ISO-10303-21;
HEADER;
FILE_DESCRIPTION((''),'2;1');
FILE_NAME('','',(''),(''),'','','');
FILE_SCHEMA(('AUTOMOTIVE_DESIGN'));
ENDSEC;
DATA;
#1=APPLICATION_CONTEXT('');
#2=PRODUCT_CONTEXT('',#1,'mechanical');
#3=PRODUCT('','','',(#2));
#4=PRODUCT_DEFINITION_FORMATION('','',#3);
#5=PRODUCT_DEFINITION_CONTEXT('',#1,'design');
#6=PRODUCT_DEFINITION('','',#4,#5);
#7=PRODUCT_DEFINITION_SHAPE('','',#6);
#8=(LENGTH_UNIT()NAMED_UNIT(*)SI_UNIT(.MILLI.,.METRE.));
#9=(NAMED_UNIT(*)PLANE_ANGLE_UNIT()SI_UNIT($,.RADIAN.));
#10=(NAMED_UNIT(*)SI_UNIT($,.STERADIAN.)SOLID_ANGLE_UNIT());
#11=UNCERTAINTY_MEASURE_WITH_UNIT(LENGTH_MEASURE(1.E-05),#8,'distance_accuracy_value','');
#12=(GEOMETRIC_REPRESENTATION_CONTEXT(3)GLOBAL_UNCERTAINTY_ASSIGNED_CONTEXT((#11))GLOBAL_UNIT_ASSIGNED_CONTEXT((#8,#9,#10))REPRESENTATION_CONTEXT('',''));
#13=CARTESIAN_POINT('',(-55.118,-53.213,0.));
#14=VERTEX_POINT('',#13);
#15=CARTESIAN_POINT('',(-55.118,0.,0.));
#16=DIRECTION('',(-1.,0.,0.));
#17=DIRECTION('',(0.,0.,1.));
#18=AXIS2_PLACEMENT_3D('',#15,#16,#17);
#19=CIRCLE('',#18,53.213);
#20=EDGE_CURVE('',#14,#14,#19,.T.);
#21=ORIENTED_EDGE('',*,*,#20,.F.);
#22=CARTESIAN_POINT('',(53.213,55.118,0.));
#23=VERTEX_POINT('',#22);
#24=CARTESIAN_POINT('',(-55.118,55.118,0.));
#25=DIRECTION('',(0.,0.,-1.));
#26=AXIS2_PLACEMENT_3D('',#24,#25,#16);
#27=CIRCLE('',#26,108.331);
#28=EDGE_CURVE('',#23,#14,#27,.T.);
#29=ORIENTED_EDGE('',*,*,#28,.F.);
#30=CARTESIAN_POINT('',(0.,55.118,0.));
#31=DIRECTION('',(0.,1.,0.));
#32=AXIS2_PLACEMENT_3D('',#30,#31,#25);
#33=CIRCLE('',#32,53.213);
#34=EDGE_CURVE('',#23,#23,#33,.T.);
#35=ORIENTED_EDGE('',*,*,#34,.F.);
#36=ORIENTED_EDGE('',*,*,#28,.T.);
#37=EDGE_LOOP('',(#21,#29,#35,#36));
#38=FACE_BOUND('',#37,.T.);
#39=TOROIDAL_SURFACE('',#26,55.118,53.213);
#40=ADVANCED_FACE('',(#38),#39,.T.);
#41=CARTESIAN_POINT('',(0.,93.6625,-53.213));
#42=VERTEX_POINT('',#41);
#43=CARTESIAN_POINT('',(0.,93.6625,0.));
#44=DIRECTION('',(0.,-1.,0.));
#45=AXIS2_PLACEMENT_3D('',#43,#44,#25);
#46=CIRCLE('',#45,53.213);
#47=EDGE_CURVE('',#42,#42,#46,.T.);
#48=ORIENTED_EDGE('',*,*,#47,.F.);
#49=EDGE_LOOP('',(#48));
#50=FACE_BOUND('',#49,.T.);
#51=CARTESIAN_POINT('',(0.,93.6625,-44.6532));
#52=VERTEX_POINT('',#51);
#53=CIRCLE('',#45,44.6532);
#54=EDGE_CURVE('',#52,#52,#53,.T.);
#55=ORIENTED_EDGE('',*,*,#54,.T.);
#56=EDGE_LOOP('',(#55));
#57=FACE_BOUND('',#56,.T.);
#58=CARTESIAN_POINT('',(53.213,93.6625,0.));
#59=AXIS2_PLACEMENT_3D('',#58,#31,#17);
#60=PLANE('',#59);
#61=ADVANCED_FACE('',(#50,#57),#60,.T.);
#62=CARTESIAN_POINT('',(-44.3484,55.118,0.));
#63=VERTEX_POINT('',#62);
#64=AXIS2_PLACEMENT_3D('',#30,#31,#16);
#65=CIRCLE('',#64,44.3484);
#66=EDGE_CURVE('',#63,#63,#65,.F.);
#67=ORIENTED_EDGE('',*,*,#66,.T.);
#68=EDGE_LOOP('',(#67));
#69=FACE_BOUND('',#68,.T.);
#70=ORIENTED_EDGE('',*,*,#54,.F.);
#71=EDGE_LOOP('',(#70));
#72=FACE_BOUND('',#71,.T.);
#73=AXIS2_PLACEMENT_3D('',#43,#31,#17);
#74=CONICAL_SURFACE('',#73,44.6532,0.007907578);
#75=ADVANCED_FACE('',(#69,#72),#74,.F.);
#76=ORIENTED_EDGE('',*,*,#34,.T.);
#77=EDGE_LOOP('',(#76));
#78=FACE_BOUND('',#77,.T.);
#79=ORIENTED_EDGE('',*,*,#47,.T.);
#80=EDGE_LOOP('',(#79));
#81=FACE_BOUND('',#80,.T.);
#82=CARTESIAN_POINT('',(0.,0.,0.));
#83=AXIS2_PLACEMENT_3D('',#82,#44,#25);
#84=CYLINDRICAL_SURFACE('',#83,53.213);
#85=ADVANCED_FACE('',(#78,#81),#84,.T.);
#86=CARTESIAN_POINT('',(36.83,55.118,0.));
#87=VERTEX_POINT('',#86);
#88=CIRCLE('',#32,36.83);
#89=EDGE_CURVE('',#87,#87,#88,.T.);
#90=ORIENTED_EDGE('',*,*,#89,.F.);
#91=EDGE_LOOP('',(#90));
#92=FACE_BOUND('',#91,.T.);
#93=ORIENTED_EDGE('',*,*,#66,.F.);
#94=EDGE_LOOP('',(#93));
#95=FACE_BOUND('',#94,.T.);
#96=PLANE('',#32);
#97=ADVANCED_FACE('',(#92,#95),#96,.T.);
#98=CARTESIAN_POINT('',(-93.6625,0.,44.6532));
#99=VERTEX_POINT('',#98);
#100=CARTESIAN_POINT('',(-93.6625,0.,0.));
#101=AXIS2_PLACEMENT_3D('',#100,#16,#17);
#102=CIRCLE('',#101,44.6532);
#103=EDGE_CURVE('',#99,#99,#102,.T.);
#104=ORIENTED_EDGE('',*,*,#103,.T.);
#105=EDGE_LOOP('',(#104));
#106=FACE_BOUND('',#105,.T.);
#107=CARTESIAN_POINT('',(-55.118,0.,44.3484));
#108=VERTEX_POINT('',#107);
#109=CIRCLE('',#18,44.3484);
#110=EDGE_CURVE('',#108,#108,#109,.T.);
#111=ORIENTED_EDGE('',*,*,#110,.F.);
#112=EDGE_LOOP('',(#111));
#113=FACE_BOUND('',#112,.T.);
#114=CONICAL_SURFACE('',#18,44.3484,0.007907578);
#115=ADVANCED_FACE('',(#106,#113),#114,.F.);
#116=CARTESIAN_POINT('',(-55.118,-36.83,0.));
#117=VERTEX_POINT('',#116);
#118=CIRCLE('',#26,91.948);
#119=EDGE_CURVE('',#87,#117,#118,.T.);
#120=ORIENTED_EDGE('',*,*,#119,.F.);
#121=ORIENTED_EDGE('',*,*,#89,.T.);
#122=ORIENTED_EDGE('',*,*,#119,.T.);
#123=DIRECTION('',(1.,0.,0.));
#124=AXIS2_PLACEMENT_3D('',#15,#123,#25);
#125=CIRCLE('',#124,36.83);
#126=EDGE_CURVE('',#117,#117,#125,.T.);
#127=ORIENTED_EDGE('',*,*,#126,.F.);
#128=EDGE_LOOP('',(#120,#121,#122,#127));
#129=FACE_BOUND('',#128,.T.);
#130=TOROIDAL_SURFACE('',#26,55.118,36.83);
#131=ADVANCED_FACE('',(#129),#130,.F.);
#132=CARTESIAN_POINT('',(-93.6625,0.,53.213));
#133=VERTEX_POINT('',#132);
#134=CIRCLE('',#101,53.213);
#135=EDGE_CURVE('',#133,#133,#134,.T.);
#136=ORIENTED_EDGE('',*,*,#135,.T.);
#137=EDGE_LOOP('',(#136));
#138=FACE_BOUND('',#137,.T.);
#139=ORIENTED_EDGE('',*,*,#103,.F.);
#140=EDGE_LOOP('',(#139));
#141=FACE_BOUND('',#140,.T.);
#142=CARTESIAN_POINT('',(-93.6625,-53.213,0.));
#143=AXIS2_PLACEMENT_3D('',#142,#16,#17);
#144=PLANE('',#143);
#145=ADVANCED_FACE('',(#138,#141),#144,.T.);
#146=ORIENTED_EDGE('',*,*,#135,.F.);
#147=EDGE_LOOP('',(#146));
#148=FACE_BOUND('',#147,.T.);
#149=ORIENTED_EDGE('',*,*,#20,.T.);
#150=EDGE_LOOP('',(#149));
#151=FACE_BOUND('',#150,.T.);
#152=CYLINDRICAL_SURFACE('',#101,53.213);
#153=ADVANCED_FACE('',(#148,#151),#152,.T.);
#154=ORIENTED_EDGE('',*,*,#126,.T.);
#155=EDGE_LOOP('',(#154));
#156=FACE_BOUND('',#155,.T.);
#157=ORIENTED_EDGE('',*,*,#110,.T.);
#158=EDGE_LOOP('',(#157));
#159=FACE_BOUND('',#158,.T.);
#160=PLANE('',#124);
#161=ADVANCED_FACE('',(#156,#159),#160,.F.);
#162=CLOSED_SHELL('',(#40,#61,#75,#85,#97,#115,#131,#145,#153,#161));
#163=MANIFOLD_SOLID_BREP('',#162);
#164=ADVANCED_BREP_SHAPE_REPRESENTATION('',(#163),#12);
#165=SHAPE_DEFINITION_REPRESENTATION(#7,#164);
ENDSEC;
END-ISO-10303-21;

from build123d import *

# Parameters (mm, degrees)
SKETCH3_R   = 53.213
SKETCH3_R_2 = 36.83


with BuildPart() as part:
    # Sketch1 → Revolve1 (revolve)
    with BuildSketch(Plane.XY):
        Polygon((-93.6625, -53.213), (-55.118, -53.213), (-55.118, -44.3484), (-93.6625, -44.6532), align=None)
    revolve(axis=Axis((-93.6625, 0, 0), (1, 0, 0)))



with BuildPart() as body_2:
    # Sketch2 → Revolve2 (revolve)
    with BuildSketch(Plane.XY):
        Polygon((44.6532, 93.6625), (44.3484, 55.118), (53.213, 55.118), (53.213, 93.6625), align=None)
    revolve(axis=Axis((0, 0, 0), (0, 1, 0)))


with BuildPart() as part_1:
    add(part.part)

    add(body_2.part)  # Sweep1 merges body 2
    # Sweep1: sweep along a path in Sketch4
    with BuildLine(Plane.XY) as sweep1_path:
        ThreePointArc((-55.118, 0), (-16.143688435, 16.143688435), (0, 55.118))
    # Sketch3 → Sweep1 (sweep)
    with BuildSketch(Plane(origin=(-55.118, 0, 0), x_dir=(0, 0, -1), z_dir=(1, 0, 0))):
        Circle(SKETCH3_R)
        Circle(SKETCH3_R_2, mode=Mode.SUBTRACT)
    sweep(path=sweep1_path.line)


solid = part_1.part
